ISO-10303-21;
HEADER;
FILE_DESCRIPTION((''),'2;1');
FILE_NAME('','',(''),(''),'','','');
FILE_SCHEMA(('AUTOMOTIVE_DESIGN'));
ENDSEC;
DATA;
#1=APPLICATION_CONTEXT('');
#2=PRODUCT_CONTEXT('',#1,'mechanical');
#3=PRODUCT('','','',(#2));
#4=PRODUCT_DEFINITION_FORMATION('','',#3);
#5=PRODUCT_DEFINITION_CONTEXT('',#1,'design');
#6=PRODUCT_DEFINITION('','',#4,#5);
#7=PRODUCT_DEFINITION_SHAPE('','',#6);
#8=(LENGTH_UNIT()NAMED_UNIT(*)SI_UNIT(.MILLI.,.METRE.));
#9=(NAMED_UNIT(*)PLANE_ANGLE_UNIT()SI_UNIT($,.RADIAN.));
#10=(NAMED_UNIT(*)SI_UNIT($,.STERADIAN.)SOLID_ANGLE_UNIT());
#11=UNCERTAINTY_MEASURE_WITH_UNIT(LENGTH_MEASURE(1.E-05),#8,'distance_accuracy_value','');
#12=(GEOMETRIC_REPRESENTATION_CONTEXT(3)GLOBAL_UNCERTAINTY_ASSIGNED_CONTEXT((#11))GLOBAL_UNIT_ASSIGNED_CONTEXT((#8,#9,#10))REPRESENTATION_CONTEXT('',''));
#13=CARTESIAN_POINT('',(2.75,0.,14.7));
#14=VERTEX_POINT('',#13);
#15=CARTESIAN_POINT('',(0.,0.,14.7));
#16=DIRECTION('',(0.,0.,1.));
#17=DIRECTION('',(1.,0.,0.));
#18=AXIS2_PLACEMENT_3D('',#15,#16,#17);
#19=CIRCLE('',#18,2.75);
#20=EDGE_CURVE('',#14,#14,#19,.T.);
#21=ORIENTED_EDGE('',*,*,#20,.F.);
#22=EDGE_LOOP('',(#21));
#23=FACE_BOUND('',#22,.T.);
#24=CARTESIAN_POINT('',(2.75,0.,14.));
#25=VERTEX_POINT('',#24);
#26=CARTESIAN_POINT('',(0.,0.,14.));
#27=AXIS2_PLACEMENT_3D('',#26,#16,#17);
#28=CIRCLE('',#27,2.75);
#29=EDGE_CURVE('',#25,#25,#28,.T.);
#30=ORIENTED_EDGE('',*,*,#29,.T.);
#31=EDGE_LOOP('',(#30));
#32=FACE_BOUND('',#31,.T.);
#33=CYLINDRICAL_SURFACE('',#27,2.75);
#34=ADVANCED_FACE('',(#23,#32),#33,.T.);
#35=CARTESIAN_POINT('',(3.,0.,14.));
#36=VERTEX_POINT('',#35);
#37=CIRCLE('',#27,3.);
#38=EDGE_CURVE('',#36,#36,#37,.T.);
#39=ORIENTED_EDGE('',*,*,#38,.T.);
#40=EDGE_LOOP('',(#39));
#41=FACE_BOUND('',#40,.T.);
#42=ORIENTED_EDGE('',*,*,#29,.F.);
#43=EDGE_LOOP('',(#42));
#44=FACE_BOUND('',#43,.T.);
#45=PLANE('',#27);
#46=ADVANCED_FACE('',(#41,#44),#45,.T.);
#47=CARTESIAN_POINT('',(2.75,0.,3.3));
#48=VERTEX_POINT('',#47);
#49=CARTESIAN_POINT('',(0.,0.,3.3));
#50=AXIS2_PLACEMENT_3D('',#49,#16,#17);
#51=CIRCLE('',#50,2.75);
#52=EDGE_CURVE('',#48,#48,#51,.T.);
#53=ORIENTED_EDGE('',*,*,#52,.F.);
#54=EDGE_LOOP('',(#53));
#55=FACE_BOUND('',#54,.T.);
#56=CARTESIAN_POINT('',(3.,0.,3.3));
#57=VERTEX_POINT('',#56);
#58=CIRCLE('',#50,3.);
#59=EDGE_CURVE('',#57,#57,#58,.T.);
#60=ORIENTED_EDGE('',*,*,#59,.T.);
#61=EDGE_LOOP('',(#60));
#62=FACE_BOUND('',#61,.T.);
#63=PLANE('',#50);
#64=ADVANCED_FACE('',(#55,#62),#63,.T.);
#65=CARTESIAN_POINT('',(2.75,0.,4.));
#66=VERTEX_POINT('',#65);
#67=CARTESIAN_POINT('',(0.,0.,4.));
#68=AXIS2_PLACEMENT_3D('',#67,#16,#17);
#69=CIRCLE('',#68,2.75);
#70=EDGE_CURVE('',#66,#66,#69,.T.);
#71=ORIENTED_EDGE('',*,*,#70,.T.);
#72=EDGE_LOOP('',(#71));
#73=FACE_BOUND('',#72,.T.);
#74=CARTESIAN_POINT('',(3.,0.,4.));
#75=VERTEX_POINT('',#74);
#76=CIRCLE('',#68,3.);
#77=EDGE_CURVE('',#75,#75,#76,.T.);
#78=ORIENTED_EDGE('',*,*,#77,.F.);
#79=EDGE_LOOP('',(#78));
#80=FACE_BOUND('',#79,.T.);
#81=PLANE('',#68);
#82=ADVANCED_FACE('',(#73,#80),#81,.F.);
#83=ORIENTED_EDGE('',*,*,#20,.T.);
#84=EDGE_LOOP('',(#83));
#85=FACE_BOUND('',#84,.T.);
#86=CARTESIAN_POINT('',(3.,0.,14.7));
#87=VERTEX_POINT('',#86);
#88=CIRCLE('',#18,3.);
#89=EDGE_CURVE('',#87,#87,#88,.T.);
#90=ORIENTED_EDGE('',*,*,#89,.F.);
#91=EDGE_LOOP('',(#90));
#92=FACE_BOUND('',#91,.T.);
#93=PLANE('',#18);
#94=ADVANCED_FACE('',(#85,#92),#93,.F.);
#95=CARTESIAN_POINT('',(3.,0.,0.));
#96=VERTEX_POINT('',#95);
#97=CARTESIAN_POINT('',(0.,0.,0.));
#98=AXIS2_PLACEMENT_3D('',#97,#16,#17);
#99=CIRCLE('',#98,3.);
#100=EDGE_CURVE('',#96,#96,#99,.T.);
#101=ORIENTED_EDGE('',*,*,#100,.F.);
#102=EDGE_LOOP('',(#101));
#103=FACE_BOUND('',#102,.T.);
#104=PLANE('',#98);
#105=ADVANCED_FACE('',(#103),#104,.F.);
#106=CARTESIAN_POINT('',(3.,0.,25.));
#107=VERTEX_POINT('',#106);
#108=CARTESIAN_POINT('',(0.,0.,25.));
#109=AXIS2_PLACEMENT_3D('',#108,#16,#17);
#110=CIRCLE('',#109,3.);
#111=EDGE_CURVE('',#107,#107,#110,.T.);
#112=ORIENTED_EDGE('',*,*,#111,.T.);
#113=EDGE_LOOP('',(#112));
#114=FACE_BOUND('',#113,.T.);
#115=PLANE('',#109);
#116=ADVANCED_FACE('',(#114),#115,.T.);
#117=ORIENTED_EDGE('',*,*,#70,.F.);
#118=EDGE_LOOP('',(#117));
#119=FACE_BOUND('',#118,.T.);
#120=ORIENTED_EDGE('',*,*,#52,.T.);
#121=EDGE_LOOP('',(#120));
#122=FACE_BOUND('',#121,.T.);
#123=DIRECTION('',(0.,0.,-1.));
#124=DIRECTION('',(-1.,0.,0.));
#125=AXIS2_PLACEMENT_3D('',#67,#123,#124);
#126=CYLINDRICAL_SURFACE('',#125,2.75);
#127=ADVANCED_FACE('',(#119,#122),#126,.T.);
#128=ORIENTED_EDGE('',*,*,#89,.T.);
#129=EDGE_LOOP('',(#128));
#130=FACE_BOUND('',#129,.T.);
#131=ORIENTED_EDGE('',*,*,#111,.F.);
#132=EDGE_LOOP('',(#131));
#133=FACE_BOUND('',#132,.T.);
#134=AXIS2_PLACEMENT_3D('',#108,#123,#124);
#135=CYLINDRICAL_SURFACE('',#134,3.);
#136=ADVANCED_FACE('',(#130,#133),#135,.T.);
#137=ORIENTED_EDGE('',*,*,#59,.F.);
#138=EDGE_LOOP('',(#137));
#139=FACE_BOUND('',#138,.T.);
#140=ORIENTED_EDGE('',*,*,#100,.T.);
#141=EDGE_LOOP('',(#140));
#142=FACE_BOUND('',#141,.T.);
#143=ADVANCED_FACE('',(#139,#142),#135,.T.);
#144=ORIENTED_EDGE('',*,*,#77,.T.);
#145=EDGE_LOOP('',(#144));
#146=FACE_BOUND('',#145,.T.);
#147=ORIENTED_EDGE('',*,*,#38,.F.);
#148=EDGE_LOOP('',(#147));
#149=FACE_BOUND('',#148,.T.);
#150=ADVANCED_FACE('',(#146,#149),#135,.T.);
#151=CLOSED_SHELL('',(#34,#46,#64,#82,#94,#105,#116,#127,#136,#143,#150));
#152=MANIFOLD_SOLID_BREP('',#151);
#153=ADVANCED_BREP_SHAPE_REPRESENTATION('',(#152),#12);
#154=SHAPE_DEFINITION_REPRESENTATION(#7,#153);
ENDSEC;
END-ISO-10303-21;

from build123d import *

# Parameters (mm, degrees)
SKETCH_1_R               = 3
EXTRUDE_1_DEPTH          = 25
CUT_EXTRUDE_1_DEPTH      = 0.35
CUT_EXTRUDE_1_DEPTH_BACK = 0.35
SKETCH_2_R               = 3
SKETCH_2_R_2             = 2.75
CUT_EXTRUDE_START        = -0.7
SKETCH_3_R               = 3
SKETCH_3_R_2             = 2.75
CUT_EXTRUDE_2_DEPTH      = 0.7


with BuildPart() as part:
    # 스케치1 → 보스-돌출1 (new body)
    with BuildSketch(Plane.XY):
        Circle(SKETCH_1_R)
    extrude(amount=EXTRUDE_1_DEPTH)

    # 스케치2 → 컷-돌출1 (cut, two sides: drawn at the far end of the back side and taken through both)
    with BuildSketch(Plane.XY.offset(3.65).offset(-CUT_EXTRUDE_1_DEPTH_BACK)):
        Circle(SKETCH_2_R)
        Circle(SKETCH_2_R_2, mode=Mode.SUBTRACT)
    extrude(amount=CUT_EXTRUDE_1_DEPTH + CUT_EXTRUDE_1_DEPTH_BACK, mode=Mode.SUBTRACT)

    # 스케치3 → 컷-돌출2 (cut)
    with BuildSketch(Plane.XY.offset(14.7).offset(CUT_EXTRUDE_START)):
        Circle(SKETCH_3_R)
        Circle(SKETCH_3_R_2, mode=Mode.SUBTRACT)
    extrude(amount=CUT_EXTRUDE_2_DEPTH, mode=Mode.SUBTRACT)


solid = part.part
